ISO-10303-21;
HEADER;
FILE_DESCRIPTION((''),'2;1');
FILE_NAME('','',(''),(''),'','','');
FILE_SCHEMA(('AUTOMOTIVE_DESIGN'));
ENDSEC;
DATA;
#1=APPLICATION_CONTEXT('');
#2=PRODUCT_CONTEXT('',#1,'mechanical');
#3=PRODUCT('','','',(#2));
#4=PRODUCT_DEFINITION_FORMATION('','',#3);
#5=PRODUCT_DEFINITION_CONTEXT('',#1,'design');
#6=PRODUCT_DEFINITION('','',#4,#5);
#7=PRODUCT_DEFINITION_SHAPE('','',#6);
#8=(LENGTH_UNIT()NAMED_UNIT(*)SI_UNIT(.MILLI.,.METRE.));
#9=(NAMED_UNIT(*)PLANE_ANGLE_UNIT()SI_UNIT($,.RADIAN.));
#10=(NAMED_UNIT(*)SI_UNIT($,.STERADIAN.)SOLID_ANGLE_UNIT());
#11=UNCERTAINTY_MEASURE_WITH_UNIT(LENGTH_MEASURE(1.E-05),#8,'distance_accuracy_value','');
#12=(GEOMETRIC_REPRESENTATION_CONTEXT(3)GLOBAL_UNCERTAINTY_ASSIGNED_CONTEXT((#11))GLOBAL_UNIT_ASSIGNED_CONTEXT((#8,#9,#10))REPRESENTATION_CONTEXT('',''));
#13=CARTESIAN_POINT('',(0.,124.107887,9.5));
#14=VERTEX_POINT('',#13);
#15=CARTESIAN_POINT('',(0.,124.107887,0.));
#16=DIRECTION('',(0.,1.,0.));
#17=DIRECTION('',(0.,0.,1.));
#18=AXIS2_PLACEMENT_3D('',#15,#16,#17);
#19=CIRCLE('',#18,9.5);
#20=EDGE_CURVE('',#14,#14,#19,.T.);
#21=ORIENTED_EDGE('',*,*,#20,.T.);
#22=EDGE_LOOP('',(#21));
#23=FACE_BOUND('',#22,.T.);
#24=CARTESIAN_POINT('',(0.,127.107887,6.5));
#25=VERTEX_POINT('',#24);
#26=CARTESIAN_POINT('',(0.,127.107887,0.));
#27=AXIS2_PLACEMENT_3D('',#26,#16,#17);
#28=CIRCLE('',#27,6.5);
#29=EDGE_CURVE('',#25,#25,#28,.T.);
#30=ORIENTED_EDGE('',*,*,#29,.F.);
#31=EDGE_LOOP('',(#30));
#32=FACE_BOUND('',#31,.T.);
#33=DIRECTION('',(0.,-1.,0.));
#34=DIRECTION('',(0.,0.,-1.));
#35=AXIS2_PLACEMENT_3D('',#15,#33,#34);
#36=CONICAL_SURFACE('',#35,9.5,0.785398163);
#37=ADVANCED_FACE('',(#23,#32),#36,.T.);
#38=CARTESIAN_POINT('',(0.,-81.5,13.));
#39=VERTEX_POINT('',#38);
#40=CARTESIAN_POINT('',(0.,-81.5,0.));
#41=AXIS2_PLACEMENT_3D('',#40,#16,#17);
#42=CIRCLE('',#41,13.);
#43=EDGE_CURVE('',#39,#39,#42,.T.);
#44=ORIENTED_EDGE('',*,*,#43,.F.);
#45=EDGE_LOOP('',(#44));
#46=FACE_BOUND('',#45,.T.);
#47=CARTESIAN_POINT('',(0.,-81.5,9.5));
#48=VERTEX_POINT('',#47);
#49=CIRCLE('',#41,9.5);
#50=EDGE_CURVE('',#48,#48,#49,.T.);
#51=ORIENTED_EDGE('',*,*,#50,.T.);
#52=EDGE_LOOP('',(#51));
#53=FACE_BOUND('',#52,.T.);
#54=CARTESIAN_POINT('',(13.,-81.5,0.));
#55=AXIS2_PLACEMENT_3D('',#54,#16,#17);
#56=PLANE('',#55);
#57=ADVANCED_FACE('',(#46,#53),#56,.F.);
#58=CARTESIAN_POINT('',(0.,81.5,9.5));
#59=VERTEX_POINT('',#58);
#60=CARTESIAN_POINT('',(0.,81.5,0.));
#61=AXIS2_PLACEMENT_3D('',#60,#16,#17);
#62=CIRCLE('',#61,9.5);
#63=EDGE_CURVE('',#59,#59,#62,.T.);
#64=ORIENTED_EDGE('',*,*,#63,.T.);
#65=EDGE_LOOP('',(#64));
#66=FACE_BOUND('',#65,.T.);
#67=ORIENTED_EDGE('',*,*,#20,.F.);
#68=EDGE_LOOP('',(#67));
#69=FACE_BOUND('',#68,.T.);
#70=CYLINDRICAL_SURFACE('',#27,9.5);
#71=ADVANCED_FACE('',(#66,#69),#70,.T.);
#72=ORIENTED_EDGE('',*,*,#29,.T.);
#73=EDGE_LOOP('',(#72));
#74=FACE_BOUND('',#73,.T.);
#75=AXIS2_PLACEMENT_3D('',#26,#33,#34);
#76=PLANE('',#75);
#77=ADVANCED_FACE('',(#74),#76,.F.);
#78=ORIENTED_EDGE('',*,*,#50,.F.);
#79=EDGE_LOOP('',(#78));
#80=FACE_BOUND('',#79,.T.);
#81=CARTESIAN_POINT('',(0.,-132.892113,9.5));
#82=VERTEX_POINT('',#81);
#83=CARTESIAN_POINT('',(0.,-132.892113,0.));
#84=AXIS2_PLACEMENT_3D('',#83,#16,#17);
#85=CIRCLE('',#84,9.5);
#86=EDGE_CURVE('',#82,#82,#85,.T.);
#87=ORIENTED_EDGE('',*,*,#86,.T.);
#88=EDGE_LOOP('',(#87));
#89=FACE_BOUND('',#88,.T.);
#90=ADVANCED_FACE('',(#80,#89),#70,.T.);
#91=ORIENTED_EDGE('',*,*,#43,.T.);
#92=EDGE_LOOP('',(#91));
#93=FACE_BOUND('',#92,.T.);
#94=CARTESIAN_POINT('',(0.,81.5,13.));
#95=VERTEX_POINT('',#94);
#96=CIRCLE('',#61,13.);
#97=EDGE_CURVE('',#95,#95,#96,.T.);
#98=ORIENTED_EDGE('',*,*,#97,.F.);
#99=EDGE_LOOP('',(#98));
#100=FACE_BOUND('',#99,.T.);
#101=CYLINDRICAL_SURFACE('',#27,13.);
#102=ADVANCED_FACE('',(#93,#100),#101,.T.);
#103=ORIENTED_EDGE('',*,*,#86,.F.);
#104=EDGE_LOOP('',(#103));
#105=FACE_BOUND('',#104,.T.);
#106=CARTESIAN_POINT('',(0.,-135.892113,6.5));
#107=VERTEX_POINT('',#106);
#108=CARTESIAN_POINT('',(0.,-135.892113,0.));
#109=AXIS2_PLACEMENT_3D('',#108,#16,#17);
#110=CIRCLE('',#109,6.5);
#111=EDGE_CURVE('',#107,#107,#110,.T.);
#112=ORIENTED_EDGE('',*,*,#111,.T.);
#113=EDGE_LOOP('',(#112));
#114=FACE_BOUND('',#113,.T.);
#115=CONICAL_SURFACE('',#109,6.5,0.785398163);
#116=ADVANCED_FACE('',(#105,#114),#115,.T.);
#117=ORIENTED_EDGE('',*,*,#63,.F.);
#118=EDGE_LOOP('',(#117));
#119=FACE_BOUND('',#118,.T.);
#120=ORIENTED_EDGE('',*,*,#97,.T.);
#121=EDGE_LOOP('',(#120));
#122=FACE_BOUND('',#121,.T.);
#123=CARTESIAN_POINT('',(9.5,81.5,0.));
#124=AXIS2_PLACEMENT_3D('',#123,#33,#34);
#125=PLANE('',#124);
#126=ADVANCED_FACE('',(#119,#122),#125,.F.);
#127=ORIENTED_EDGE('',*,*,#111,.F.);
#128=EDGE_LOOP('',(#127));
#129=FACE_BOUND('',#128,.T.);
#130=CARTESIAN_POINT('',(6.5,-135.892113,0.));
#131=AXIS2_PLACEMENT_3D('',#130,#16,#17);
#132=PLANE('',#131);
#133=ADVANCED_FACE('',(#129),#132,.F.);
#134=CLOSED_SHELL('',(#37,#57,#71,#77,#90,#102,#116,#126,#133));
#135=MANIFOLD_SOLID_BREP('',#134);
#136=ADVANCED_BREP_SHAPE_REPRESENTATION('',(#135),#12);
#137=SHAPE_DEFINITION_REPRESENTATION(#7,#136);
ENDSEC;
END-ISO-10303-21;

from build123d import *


with BuildPart() as part:
    # Sketch1 → Revolve1 (revolve)
    with BuildSketch(Plane.XY):
        Polygon((0, 127.107886558), (6.5, 127.107886558), (9.5, 124.107886558), (9.5, 81.5), (13, 81.5), (13, -81.5), (9.5, -81.5), (9.5, -132.892113442), (6.5, -135.892113442), (0, -135.892113442), align=None)
    revolve(axis=Axis((0, 127.107886558, 0), (0, -1, 0)))


solid = part.part
